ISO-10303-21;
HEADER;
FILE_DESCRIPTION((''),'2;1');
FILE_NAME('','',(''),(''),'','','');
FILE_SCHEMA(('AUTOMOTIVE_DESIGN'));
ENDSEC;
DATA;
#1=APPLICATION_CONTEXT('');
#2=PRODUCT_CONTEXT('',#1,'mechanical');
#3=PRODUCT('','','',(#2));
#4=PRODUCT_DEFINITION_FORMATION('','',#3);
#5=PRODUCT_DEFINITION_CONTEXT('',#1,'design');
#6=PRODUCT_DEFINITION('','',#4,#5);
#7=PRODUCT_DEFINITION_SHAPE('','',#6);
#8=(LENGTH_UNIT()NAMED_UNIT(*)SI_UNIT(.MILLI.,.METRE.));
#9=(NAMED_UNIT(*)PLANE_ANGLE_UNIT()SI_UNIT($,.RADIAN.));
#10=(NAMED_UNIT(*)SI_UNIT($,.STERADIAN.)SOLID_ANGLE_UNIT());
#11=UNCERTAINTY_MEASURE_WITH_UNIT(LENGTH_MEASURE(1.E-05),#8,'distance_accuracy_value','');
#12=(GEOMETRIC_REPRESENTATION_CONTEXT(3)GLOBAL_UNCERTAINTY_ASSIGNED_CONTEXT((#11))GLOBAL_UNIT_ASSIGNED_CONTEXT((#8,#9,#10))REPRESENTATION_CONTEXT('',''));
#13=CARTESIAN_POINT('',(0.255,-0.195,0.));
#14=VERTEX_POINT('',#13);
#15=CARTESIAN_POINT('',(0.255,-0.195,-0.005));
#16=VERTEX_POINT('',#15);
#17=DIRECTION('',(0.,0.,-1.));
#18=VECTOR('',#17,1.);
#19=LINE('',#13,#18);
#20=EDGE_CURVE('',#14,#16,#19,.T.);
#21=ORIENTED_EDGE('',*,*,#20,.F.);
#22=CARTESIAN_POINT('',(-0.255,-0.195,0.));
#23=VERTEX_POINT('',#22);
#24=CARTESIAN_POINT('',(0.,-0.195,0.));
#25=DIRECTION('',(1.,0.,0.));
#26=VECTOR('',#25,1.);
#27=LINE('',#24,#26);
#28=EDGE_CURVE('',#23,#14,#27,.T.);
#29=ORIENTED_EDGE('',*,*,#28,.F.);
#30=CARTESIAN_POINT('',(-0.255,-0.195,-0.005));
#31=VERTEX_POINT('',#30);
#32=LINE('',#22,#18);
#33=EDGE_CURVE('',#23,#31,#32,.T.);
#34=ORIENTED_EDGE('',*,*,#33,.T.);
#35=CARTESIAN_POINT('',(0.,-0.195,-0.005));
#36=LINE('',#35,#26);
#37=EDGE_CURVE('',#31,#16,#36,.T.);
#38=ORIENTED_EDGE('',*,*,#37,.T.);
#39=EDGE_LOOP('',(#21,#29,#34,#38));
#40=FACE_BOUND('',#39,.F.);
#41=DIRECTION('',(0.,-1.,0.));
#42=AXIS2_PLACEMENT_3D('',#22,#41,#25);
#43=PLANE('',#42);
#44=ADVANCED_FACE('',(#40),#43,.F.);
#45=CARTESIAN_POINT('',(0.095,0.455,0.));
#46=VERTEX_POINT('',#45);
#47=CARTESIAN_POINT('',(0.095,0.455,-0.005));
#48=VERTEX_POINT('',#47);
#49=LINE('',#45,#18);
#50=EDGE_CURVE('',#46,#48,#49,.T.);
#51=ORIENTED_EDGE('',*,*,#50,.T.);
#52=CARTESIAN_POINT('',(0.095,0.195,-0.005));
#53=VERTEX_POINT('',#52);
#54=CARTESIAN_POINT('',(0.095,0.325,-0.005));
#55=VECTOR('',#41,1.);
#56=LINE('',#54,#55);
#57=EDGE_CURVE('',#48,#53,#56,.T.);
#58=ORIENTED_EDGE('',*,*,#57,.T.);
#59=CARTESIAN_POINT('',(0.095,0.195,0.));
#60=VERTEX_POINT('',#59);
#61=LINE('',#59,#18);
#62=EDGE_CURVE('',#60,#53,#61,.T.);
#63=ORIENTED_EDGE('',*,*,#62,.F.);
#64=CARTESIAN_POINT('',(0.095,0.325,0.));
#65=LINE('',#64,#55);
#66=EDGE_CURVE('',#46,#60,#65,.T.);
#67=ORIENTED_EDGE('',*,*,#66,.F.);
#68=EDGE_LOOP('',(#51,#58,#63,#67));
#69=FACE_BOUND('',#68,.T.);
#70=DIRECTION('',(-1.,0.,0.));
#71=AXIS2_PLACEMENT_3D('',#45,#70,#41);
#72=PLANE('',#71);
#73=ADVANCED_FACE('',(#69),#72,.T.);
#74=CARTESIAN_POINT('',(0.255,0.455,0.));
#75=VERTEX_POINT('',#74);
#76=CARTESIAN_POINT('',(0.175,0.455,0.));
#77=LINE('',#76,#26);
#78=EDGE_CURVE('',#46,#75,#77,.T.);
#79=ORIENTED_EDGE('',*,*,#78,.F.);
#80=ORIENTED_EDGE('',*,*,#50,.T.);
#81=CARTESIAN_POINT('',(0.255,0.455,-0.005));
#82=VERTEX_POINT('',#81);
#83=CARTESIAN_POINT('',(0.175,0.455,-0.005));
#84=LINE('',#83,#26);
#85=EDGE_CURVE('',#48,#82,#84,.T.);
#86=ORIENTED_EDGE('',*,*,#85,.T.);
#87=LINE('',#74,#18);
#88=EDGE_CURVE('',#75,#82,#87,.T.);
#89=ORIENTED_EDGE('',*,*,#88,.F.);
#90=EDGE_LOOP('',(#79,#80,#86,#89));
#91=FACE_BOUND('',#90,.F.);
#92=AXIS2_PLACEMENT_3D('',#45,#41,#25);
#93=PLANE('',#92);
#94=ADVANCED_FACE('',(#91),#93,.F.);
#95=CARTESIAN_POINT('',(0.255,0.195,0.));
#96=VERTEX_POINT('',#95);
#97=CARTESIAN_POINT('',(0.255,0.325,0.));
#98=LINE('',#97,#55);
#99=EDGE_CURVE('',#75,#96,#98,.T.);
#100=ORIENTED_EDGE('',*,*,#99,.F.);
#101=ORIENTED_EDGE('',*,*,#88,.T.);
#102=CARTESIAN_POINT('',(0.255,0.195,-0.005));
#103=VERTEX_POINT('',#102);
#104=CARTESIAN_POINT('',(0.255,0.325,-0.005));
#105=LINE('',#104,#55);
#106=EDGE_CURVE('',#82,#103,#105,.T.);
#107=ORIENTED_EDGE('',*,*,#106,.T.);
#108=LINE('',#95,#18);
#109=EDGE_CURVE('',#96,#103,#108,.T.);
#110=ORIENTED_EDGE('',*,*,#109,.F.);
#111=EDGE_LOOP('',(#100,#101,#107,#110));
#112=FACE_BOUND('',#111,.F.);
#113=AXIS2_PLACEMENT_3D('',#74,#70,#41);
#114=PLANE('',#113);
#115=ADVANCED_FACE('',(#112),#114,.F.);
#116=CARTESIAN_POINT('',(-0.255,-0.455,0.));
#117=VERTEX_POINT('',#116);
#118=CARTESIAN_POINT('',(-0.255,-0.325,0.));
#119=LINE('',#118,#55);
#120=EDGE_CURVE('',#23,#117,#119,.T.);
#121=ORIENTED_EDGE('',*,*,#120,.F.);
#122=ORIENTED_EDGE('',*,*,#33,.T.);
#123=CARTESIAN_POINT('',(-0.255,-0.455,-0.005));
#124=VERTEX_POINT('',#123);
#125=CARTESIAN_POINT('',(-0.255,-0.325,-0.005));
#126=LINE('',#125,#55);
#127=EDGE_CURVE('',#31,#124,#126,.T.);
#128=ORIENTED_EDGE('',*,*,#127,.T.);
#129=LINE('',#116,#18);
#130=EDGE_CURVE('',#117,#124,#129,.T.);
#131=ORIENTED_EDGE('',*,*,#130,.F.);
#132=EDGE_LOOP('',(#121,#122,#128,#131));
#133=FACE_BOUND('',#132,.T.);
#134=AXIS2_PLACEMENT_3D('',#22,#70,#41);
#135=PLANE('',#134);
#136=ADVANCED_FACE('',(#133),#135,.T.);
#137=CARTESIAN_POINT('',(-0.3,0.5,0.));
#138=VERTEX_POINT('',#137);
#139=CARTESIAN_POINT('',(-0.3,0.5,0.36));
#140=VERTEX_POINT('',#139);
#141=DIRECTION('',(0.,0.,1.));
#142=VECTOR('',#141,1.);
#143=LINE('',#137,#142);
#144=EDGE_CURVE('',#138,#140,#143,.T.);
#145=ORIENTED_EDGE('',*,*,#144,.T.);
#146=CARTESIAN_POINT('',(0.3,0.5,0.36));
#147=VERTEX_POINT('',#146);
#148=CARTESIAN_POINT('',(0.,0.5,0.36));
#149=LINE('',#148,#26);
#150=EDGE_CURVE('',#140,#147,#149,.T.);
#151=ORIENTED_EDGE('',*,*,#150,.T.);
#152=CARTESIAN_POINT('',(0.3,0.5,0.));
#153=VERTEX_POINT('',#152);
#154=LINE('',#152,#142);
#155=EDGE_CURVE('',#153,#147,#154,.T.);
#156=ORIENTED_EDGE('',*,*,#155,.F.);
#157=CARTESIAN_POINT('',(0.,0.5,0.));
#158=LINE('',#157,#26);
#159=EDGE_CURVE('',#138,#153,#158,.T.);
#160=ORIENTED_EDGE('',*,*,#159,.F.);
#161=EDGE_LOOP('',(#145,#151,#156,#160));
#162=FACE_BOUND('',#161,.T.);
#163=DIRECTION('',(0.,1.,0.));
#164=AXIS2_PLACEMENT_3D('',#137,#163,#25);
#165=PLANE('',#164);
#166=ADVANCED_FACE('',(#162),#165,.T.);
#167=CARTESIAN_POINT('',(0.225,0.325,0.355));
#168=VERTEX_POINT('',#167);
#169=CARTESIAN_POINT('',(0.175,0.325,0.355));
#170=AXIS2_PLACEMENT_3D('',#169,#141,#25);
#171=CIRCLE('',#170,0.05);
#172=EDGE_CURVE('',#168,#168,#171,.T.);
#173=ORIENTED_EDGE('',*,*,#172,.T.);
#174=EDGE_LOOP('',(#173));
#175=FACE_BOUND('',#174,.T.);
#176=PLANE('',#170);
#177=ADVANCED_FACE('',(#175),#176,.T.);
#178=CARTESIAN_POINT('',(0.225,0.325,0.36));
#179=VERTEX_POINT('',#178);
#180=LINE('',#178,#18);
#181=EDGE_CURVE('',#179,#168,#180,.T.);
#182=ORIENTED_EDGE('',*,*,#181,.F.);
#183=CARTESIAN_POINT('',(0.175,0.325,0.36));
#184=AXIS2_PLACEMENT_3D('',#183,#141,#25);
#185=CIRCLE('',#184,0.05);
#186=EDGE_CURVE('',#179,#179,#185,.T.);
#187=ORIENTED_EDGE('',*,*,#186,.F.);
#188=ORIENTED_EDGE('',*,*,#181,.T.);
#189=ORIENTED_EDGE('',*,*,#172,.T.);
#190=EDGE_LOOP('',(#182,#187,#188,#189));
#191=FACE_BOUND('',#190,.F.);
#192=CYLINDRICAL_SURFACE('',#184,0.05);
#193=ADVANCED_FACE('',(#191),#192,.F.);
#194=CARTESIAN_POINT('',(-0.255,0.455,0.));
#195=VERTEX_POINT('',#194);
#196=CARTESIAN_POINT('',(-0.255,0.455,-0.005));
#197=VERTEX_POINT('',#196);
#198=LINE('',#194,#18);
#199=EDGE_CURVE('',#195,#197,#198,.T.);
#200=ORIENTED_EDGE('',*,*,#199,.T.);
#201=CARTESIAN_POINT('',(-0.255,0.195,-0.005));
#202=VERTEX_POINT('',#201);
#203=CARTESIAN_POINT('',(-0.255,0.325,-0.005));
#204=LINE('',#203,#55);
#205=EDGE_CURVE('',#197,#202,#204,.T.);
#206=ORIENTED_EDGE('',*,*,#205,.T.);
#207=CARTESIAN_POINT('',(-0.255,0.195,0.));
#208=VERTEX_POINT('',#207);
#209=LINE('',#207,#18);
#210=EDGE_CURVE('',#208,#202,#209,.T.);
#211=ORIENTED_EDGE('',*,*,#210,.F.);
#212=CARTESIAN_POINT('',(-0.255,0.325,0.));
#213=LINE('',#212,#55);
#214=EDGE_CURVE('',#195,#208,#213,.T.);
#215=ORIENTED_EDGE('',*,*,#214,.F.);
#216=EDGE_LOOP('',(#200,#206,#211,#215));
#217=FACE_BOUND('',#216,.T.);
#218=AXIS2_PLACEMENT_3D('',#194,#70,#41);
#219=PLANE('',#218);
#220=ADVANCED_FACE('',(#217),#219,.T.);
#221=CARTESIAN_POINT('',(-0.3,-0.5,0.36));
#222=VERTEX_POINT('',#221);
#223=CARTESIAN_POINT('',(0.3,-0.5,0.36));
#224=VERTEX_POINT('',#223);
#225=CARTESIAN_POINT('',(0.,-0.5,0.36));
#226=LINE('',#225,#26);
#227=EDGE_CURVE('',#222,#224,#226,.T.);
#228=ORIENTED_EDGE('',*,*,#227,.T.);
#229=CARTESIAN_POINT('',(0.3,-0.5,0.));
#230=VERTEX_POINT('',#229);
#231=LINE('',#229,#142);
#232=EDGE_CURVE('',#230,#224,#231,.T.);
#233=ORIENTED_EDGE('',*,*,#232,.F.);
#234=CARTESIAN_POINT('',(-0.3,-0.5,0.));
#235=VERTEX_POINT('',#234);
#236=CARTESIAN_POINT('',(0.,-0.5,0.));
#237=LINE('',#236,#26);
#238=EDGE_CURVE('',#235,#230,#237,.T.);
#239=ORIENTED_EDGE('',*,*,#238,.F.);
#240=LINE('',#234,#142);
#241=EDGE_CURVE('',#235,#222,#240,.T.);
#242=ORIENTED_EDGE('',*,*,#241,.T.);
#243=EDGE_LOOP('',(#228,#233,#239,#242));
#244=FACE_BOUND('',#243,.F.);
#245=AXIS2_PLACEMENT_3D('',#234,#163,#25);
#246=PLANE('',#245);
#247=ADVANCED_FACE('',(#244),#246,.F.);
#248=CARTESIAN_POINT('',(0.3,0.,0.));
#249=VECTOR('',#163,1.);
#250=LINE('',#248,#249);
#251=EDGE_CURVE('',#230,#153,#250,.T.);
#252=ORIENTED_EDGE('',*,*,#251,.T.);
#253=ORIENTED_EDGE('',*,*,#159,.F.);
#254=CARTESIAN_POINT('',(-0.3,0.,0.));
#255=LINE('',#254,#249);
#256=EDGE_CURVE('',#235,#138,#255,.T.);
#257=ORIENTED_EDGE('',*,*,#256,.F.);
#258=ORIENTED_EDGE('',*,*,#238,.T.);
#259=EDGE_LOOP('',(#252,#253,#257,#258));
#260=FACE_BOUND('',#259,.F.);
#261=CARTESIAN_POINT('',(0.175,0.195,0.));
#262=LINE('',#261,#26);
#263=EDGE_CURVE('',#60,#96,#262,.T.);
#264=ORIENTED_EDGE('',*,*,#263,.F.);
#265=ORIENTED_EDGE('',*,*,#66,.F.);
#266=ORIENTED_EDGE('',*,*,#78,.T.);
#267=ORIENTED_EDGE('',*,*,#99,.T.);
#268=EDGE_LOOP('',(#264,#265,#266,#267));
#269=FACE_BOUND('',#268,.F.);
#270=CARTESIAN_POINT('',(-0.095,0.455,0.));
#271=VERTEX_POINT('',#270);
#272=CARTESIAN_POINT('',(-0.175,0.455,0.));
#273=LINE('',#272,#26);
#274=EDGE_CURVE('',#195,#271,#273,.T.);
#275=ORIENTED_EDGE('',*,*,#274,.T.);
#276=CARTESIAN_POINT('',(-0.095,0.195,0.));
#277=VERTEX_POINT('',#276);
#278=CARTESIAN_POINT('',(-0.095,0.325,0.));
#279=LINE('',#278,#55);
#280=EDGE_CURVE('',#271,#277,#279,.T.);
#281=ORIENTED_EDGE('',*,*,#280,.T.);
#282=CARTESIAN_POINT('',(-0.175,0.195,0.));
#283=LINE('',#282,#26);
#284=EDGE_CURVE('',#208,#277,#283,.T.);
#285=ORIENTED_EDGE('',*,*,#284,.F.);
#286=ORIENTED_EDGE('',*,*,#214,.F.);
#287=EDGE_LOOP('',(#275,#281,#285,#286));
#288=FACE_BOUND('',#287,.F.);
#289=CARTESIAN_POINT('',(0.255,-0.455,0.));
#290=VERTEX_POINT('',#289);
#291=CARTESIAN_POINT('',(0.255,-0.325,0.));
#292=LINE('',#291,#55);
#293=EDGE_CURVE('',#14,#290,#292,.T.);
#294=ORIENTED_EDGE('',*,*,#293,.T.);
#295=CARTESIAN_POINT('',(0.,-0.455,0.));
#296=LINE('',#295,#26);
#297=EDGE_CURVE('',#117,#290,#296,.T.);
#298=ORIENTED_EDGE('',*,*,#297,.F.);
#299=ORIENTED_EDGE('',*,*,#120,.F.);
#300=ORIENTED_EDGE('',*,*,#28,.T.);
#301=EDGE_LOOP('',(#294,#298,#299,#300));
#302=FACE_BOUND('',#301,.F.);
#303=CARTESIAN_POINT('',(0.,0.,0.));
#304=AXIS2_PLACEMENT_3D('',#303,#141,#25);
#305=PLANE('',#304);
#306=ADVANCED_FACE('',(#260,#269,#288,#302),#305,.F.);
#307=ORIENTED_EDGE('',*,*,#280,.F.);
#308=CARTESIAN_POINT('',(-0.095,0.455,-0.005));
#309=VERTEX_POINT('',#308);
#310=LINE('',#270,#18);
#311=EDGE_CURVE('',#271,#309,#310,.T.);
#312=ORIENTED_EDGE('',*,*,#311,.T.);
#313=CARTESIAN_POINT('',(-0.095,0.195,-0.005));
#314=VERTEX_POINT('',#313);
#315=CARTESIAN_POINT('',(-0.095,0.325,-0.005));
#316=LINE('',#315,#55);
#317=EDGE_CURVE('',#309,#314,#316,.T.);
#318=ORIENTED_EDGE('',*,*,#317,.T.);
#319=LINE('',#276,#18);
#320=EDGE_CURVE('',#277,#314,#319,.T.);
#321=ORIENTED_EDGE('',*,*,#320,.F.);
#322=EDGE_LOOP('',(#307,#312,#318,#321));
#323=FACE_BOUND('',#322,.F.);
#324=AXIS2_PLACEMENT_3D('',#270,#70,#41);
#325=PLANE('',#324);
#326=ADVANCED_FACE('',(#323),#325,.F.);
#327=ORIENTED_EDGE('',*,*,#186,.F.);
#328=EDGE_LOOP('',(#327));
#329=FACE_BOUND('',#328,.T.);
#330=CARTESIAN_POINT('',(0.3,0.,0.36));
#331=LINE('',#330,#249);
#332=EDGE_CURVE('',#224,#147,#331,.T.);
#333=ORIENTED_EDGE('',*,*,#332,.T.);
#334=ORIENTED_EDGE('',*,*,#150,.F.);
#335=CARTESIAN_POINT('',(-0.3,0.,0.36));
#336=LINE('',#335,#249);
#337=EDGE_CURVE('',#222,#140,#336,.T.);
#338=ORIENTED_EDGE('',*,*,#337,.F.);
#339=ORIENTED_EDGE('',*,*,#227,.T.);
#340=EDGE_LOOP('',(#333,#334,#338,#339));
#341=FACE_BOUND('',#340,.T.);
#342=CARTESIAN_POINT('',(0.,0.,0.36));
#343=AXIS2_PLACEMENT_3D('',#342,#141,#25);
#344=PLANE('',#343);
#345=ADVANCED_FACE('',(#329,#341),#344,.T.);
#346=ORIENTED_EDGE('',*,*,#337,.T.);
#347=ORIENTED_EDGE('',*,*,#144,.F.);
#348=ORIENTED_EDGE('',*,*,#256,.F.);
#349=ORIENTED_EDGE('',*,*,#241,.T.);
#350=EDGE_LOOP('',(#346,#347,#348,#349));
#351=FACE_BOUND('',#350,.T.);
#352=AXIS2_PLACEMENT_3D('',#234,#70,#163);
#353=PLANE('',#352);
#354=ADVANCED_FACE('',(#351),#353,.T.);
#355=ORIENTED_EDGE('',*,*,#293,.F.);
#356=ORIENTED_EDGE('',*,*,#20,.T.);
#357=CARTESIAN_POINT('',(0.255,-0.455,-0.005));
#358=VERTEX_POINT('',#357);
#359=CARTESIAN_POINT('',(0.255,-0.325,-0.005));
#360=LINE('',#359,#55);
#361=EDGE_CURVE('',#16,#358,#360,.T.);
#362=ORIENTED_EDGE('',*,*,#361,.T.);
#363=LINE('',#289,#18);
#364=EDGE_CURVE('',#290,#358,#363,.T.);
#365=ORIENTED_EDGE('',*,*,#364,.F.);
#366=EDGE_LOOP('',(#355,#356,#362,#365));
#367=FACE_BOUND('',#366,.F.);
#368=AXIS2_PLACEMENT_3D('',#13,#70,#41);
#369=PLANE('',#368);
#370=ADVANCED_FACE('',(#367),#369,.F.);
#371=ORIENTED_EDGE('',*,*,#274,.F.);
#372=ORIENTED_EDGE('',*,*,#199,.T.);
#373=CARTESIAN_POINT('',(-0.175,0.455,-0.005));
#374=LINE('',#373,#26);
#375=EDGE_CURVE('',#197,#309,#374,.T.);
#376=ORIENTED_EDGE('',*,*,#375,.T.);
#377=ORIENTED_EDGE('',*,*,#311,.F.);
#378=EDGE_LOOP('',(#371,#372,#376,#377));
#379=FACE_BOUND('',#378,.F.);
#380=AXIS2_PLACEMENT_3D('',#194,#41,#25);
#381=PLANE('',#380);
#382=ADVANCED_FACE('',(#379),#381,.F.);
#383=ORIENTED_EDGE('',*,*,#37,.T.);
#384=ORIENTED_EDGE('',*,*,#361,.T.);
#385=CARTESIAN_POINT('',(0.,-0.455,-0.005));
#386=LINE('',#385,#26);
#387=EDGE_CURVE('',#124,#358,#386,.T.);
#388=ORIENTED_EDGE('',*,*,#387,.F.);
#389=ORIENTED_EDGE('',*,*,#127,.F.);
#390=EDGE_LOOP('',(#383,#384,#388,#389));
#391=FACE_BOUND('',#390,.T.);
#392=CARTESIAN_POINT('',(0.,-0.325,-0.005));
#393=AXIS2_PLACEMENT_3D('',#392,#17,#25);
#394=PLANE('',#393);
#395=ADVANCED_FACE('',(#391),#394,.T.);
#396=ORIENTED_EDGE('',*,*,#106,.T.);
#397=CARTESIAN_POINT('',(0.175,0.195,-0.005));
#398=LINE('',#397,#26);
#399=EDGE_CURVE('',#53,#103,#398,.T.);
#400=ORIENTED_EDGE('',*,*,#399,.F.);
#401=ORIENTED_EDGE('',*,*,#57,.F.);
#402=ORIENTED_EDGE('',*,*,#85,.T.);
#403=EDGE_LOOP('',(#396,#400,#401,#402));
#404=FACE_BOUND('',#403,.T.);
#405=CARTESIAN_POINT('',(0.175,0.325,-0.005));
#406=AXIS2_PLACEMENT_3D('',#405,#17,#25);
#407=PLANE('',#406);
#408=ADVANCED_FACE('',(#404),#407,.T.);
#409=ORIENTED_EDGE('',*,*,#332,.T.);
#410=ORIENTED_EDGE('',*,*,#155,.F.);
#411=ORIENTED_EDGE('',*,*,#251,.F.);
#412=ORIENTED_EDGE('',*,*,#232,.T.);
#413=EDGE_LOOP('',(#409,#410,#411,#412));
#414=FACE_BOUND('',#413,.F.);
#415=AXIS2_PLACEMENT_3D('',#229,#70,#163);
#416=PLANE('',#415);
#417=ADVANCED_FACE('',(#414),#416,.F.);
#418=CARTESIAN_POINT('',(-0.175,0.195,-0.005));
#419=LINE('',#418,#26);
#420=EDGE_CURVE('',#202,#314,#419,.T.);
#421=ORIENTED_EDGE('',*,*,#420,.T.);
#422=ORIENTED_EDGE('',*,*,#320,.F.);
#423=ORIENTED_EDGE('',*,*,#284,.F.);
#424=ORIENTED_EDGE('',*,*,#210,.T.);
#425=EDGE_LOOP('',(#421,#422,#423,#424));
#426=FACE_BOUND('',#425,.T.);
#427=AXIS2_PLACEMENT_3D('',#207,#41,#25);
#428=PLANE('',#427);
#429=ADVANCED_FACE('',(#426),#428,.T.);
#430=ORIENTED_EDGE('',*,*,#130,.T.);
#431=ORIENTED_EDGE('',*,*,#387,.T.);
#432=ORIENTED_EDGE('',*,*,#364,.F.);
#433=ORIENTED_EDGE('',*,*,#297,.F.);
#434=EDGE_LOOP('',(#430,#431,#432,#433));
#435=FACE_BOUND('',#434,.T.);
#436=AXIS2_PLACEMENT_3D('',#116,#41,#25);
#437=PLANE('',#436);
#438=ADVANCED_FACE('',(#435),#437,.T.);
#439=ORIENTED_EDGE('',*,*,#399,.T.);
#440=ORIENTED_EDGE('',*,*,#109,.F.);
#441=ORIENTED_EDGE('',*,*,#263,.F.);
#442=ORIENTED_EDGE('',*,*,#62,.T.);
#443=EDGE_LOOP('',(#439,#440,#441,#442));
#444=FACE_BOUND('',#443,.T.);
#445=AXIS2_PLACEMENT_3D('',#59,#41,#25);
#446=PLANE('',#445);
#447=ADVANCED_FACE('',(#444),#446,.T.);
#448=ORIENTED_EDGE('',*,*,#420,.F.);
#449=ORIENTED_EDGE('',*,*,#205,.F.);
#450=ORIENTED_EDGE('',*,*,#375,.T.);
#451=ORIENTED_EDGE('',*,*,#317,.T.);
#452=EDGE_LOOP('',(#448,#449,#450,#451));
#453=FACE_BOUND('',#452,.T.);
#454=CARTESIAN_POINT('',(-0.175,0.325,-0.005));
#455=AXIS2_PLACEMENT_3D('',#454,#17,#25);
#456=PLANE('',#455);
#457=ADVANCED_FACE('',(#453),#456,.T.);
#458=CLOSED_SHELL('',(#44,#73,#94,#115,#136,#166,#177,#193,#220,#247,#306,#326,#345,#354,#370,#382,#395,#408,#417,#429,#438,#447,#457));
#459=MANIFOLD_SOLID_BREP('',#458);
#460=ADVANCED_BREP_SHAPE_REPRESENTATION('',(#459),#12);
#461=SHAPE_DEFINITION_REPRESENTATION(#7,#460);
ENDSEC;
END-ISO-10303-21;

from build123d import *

# Parameters (mm, degrees)
SKETCH_W      = 0.6
SKETCH_H      = 1
PAD_DEPTH     = 0.36
SKETCH001_R   = 0.05
POCKET_DEPTH  = 0.005
SKETCH002_W   = 0.16
SKETCH002_H   = 0.26
SKETCH002_W_2 = 0.51
PAD001_DEPTH  = 0.005


with BuildPart() as part:
    # Sketch → Pad (new body)
    with BuildSketch(Plane.XY):
        Rectangle(SKETCH_W, SKETCH_H)
    extrude(amount=PAD_DEPTH)

    # Sketch001 (on Face6 of Pad) → Pocket (cut)
    with BuildSketch(Plane.XY.offset(0.36)):
        with Locations((0.175, 0.325)):
            Circle(SKETCH001_R)
    extrude(amount=-POCKET_DEPTH, mode=Mode.SUBTRACT)

    # Sketch002 (on Face4 of Pocket) → Pad001 (join)
    with BuildSketch(Plane(origin=(0, 0, 0), x_dir=(1, 0, 0), z_dir=(0, 0, -1))):
        with Locations((0.175, -0.325)):
            Rectangle(SKETCH002_W, SKETCH002_H)
        with Locations((0, 0.325)):
            Rectangle(SKETCH002_W_2, SKETCH002_H)
        with Locations((-0.175, -0.325)):
            Rectangle(SKETCH002_W, SKETCH002_H)
    extrude(amount=PAD001_DEPTH)


solid = part.part
